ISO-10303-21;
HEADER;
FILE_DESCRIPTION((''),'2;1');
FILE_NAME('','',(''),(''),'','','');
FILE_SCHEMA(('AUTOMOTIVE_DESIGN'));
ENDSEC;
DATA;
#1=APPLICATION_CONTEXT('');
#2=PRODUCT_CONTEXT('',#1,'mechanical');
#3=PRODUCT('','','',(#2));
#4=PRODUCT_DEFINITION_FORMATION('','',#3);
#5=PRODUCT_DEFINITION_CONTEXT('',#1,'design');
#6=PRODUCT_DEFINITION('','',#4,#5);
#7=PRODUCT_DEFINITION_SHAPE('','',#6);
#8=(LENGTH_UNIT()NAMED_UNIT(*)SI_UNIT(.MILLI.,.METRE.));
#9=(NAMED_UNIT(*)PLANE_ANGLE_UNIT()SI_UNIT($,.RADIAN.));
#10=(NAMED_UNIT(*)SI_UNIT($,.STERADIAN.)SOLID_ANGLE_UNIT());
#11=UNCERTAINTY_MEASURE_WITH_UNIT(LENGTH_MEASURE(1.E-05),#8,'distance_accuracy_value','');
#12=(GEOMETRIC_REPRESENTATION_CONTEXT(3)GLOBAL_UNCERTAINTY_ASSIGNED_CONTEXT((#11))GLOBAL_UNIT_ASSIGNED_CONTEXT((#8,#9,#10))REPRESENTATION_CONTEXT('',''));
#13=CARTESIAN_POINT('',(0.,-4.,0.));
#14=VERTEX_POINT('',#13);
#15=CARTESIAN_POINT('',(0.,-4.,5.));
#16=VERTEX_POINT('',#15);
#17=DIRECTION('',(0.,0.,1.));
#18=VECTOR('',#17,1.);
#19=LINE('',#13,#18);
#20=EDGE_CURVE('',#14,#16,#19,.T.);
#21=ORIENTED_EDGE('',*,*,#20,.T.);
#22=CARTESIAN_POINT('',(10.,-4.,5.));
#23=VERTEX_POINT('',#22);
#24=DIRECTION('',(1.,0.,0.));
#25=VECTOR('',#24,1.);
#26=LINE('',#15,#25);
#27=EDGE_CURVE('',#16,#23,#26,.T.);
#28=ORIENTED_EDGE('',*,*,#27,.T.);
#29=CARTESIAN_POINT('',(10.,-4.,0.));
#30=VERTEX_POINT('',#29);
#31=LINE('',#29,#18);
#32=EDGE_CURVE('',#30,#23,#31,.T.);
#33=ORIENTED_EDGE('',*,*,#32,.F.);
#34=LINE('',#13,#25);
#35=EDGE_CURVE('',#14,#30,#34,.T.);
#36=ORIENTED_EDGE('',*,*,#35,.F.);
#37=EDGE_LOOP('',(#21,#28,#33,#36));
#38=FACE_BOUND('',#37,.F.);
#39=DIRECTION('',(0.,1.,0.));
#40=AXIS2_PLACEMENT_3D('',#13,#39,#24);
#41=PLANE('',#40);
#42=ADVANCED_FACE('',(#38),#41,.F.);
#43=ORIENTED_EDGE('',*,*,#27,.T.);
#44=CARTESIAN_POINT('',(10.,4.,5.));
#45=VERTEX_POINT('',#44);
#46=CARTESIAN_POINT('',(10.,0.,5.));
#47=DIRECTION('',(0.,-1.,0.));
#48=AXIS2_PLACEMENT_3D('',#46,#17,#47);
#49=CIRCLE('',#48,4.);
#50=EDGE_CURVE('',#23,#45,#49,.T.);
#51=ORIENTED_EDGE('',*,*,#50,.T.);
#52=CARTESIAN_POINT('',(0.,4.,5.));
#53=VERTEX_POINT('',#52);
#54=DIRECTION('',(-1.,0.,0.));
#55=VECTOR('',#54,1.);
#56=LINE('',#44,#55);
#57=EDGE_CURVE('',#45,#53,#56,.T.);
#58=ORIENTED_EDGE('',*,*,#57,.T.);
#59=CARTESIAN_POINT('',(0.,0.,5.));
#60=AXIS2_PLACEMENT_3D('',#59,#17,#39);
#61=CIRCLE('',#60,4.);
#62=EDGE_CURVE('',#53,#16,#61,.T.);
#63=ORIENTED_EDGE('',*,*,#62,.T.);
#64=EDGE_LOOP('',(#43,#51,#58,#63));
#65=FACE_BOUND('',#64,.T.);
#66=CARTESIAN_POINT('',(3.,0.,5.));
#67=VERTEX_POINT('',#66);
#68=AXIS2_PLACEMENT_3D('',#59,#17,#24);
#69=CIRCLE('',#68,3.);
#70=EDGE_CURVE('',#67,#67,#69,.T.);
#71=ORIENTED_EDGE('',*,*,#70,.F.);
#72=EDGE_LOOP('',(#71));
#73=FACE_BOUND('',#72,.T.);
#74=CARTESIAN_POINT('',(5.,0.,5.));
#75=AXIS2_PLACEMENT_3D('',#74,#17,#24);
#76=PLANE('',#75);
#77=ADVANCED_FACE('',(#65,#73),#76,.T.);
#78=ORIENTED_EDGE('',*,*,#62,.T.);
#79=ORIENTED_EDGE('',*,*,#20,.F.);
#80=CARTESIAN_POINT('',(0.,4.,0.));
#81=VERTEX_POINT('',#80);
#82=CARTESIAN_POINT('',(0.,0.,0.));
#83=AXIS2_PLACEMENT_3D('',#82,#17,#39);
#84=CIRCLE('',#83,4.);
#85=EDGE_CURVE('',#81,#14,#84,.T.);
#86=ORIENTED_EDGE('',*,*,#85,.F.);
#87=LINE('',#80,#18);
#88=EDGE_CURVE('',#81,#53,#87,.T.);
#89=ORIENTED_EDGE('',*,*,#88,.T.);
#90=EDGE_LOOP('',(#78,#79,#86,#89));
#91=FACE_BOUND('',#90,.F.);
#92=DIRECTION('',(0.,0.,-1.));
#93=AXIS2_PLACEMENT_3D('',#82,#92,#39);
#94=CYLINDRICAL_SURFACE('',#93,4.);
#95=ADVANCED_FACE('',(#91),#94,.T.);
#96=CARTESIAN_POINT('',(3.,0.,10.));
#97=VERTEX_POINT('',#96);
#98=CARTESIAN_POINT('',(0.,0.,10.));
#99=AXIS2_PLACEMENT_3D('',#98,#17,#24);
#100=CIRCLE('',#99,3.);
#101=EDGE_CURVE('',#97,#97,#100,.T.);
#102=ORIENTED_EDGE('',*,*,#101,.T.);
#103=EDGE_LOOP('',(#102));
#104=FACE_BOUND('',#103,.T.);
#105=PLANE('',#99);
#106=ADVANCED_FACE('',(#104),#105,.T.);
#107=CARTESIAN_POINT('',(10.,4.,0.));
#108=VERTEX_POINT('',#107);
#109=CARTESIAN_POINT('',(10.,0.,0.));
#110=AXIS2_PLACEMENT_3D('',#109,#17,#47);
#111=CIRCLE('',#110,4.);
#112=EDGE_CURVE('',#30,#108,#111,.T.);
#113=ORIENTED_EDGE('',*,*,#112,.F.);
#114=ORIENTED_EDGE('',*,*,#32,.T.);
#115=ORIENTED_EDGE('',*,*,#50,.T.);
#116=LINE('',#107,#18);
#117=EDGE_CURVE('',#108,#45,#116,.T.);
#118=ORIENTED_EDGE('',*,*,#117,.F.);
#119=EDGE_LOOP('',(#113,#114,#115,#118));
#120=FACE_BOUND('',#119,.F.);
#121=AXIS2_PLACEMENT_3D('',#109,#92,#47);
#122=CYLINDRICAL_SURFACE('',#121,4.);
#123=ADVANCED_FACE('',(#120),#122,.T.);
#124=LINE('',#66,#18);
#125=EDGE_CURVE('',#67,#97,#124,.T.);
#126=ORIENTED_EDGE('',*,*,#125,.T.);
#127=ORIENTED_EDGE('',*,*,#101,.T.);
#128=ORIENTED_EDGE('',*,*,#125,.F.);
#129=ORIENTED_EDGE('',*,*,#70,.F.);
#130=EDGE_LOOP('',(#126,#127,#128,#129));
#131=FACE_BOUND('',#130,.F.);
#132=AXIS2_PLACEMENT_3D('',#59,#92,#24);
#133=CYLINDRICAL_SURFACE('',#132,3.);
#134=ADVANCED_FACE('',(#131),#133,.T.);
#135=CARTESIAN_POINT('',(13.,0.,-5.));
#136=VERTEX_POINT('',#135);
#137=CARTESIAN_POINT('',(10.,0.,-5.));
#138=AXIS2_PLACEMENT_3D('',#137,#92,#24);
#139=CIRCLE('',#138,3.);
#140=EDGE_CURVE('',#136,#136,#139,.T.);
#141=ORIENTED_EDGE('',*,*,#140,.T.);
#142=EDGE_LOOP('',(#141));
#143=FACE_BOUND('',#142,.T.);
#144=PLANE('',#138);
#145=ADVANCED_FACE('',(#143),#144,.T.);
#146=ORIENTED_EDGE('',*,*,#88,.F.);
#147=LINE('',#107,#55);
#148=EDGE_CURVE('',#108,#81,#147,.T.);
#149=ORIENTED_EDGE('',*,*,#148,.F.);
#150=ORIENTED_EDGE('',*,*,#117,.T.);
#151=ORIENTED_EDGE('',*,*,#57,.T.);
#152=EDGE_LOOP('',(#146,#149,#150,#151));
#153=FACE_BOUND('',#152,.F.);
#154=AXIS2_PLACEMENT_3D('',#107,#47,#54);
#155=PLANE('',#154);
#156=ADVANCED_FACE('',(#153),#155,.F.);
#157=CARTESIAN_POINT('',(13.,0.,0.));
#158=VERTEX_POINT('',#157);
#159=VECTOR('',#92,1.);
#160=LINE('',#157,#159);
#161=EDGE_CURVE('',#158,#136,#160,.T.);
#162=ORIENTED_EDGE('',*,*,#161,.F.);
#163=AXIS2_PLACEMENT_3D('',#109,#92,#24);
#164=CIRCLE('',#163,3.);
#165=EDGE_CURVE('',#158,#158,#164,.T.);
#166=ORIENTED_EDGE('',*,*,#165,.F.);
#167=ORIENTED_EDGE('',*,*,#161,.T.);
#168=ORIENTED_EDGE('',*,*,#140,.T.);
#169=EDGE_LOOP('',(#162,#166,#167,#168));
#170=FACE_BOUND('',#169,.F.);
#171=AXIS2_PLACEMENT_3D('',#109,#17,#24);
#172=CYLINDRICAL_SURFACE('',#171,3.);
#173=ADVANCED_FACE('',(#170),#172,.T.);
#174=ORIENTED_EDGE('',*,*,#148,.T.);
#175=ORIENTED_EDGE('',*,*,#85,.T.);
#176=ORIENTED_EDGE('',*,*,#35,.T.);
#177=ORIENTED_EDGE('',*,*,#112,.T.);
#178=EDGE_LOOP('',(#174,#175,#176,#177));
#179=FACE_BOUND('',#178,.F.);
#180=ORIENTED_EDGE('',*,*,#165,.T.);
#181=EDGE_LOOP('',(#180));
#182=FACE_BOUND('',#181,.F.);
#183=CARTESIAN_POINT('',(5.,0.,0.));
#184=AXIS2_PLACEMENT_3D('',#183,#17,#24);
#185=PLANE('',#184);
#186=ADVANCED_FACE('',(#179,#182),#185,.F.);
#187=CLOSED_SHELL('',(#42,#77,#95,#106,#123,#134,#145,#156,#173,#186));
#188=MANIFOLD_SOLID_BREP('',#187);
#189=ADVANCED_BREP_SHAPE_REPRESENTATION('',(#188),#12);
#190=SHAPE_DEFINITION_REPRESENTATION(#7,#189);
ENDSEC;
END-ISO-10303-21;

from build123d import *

# Parameters (mm, degrees)
F1_DEPTH = 5
F2_R     = 3
F3_DEPTH = 5
F4_R     = 3
F5_DEPTH = 5


with BuildPart() as f1:
    # F0 (on Top) → F1 (new body)
    with BuildSketch(Plane.XY):
        with BuildLine():
            ThreePointArc((0, 4), (-4, 0), (0, -4))
            Line((0, -4), (10, -4))
            ThreePointArc((10, -4), (14, 0), (10, 4))
            Line((10, 4), (0, 4))
        make_face()
    extrude(amount=F1_DEPTH)

    # F2 (on face) → F3 (join)
    with BuildSketch(Plane.XY.offset(5)):
        Circle(F2_R)
    extrude(amount=F3_DEPTH)

    # F4 (on face) → F5 (join)
    with BuildSketch(Plane(origin=(0, 0, 0), x_dir=(1, 0, 0), z_dir=(0, 0, -1))):
        with Locations((10, 0)):
            Circle(F4_R)
    extrude(amount=F5_DEPTH)


solid = f1.part
